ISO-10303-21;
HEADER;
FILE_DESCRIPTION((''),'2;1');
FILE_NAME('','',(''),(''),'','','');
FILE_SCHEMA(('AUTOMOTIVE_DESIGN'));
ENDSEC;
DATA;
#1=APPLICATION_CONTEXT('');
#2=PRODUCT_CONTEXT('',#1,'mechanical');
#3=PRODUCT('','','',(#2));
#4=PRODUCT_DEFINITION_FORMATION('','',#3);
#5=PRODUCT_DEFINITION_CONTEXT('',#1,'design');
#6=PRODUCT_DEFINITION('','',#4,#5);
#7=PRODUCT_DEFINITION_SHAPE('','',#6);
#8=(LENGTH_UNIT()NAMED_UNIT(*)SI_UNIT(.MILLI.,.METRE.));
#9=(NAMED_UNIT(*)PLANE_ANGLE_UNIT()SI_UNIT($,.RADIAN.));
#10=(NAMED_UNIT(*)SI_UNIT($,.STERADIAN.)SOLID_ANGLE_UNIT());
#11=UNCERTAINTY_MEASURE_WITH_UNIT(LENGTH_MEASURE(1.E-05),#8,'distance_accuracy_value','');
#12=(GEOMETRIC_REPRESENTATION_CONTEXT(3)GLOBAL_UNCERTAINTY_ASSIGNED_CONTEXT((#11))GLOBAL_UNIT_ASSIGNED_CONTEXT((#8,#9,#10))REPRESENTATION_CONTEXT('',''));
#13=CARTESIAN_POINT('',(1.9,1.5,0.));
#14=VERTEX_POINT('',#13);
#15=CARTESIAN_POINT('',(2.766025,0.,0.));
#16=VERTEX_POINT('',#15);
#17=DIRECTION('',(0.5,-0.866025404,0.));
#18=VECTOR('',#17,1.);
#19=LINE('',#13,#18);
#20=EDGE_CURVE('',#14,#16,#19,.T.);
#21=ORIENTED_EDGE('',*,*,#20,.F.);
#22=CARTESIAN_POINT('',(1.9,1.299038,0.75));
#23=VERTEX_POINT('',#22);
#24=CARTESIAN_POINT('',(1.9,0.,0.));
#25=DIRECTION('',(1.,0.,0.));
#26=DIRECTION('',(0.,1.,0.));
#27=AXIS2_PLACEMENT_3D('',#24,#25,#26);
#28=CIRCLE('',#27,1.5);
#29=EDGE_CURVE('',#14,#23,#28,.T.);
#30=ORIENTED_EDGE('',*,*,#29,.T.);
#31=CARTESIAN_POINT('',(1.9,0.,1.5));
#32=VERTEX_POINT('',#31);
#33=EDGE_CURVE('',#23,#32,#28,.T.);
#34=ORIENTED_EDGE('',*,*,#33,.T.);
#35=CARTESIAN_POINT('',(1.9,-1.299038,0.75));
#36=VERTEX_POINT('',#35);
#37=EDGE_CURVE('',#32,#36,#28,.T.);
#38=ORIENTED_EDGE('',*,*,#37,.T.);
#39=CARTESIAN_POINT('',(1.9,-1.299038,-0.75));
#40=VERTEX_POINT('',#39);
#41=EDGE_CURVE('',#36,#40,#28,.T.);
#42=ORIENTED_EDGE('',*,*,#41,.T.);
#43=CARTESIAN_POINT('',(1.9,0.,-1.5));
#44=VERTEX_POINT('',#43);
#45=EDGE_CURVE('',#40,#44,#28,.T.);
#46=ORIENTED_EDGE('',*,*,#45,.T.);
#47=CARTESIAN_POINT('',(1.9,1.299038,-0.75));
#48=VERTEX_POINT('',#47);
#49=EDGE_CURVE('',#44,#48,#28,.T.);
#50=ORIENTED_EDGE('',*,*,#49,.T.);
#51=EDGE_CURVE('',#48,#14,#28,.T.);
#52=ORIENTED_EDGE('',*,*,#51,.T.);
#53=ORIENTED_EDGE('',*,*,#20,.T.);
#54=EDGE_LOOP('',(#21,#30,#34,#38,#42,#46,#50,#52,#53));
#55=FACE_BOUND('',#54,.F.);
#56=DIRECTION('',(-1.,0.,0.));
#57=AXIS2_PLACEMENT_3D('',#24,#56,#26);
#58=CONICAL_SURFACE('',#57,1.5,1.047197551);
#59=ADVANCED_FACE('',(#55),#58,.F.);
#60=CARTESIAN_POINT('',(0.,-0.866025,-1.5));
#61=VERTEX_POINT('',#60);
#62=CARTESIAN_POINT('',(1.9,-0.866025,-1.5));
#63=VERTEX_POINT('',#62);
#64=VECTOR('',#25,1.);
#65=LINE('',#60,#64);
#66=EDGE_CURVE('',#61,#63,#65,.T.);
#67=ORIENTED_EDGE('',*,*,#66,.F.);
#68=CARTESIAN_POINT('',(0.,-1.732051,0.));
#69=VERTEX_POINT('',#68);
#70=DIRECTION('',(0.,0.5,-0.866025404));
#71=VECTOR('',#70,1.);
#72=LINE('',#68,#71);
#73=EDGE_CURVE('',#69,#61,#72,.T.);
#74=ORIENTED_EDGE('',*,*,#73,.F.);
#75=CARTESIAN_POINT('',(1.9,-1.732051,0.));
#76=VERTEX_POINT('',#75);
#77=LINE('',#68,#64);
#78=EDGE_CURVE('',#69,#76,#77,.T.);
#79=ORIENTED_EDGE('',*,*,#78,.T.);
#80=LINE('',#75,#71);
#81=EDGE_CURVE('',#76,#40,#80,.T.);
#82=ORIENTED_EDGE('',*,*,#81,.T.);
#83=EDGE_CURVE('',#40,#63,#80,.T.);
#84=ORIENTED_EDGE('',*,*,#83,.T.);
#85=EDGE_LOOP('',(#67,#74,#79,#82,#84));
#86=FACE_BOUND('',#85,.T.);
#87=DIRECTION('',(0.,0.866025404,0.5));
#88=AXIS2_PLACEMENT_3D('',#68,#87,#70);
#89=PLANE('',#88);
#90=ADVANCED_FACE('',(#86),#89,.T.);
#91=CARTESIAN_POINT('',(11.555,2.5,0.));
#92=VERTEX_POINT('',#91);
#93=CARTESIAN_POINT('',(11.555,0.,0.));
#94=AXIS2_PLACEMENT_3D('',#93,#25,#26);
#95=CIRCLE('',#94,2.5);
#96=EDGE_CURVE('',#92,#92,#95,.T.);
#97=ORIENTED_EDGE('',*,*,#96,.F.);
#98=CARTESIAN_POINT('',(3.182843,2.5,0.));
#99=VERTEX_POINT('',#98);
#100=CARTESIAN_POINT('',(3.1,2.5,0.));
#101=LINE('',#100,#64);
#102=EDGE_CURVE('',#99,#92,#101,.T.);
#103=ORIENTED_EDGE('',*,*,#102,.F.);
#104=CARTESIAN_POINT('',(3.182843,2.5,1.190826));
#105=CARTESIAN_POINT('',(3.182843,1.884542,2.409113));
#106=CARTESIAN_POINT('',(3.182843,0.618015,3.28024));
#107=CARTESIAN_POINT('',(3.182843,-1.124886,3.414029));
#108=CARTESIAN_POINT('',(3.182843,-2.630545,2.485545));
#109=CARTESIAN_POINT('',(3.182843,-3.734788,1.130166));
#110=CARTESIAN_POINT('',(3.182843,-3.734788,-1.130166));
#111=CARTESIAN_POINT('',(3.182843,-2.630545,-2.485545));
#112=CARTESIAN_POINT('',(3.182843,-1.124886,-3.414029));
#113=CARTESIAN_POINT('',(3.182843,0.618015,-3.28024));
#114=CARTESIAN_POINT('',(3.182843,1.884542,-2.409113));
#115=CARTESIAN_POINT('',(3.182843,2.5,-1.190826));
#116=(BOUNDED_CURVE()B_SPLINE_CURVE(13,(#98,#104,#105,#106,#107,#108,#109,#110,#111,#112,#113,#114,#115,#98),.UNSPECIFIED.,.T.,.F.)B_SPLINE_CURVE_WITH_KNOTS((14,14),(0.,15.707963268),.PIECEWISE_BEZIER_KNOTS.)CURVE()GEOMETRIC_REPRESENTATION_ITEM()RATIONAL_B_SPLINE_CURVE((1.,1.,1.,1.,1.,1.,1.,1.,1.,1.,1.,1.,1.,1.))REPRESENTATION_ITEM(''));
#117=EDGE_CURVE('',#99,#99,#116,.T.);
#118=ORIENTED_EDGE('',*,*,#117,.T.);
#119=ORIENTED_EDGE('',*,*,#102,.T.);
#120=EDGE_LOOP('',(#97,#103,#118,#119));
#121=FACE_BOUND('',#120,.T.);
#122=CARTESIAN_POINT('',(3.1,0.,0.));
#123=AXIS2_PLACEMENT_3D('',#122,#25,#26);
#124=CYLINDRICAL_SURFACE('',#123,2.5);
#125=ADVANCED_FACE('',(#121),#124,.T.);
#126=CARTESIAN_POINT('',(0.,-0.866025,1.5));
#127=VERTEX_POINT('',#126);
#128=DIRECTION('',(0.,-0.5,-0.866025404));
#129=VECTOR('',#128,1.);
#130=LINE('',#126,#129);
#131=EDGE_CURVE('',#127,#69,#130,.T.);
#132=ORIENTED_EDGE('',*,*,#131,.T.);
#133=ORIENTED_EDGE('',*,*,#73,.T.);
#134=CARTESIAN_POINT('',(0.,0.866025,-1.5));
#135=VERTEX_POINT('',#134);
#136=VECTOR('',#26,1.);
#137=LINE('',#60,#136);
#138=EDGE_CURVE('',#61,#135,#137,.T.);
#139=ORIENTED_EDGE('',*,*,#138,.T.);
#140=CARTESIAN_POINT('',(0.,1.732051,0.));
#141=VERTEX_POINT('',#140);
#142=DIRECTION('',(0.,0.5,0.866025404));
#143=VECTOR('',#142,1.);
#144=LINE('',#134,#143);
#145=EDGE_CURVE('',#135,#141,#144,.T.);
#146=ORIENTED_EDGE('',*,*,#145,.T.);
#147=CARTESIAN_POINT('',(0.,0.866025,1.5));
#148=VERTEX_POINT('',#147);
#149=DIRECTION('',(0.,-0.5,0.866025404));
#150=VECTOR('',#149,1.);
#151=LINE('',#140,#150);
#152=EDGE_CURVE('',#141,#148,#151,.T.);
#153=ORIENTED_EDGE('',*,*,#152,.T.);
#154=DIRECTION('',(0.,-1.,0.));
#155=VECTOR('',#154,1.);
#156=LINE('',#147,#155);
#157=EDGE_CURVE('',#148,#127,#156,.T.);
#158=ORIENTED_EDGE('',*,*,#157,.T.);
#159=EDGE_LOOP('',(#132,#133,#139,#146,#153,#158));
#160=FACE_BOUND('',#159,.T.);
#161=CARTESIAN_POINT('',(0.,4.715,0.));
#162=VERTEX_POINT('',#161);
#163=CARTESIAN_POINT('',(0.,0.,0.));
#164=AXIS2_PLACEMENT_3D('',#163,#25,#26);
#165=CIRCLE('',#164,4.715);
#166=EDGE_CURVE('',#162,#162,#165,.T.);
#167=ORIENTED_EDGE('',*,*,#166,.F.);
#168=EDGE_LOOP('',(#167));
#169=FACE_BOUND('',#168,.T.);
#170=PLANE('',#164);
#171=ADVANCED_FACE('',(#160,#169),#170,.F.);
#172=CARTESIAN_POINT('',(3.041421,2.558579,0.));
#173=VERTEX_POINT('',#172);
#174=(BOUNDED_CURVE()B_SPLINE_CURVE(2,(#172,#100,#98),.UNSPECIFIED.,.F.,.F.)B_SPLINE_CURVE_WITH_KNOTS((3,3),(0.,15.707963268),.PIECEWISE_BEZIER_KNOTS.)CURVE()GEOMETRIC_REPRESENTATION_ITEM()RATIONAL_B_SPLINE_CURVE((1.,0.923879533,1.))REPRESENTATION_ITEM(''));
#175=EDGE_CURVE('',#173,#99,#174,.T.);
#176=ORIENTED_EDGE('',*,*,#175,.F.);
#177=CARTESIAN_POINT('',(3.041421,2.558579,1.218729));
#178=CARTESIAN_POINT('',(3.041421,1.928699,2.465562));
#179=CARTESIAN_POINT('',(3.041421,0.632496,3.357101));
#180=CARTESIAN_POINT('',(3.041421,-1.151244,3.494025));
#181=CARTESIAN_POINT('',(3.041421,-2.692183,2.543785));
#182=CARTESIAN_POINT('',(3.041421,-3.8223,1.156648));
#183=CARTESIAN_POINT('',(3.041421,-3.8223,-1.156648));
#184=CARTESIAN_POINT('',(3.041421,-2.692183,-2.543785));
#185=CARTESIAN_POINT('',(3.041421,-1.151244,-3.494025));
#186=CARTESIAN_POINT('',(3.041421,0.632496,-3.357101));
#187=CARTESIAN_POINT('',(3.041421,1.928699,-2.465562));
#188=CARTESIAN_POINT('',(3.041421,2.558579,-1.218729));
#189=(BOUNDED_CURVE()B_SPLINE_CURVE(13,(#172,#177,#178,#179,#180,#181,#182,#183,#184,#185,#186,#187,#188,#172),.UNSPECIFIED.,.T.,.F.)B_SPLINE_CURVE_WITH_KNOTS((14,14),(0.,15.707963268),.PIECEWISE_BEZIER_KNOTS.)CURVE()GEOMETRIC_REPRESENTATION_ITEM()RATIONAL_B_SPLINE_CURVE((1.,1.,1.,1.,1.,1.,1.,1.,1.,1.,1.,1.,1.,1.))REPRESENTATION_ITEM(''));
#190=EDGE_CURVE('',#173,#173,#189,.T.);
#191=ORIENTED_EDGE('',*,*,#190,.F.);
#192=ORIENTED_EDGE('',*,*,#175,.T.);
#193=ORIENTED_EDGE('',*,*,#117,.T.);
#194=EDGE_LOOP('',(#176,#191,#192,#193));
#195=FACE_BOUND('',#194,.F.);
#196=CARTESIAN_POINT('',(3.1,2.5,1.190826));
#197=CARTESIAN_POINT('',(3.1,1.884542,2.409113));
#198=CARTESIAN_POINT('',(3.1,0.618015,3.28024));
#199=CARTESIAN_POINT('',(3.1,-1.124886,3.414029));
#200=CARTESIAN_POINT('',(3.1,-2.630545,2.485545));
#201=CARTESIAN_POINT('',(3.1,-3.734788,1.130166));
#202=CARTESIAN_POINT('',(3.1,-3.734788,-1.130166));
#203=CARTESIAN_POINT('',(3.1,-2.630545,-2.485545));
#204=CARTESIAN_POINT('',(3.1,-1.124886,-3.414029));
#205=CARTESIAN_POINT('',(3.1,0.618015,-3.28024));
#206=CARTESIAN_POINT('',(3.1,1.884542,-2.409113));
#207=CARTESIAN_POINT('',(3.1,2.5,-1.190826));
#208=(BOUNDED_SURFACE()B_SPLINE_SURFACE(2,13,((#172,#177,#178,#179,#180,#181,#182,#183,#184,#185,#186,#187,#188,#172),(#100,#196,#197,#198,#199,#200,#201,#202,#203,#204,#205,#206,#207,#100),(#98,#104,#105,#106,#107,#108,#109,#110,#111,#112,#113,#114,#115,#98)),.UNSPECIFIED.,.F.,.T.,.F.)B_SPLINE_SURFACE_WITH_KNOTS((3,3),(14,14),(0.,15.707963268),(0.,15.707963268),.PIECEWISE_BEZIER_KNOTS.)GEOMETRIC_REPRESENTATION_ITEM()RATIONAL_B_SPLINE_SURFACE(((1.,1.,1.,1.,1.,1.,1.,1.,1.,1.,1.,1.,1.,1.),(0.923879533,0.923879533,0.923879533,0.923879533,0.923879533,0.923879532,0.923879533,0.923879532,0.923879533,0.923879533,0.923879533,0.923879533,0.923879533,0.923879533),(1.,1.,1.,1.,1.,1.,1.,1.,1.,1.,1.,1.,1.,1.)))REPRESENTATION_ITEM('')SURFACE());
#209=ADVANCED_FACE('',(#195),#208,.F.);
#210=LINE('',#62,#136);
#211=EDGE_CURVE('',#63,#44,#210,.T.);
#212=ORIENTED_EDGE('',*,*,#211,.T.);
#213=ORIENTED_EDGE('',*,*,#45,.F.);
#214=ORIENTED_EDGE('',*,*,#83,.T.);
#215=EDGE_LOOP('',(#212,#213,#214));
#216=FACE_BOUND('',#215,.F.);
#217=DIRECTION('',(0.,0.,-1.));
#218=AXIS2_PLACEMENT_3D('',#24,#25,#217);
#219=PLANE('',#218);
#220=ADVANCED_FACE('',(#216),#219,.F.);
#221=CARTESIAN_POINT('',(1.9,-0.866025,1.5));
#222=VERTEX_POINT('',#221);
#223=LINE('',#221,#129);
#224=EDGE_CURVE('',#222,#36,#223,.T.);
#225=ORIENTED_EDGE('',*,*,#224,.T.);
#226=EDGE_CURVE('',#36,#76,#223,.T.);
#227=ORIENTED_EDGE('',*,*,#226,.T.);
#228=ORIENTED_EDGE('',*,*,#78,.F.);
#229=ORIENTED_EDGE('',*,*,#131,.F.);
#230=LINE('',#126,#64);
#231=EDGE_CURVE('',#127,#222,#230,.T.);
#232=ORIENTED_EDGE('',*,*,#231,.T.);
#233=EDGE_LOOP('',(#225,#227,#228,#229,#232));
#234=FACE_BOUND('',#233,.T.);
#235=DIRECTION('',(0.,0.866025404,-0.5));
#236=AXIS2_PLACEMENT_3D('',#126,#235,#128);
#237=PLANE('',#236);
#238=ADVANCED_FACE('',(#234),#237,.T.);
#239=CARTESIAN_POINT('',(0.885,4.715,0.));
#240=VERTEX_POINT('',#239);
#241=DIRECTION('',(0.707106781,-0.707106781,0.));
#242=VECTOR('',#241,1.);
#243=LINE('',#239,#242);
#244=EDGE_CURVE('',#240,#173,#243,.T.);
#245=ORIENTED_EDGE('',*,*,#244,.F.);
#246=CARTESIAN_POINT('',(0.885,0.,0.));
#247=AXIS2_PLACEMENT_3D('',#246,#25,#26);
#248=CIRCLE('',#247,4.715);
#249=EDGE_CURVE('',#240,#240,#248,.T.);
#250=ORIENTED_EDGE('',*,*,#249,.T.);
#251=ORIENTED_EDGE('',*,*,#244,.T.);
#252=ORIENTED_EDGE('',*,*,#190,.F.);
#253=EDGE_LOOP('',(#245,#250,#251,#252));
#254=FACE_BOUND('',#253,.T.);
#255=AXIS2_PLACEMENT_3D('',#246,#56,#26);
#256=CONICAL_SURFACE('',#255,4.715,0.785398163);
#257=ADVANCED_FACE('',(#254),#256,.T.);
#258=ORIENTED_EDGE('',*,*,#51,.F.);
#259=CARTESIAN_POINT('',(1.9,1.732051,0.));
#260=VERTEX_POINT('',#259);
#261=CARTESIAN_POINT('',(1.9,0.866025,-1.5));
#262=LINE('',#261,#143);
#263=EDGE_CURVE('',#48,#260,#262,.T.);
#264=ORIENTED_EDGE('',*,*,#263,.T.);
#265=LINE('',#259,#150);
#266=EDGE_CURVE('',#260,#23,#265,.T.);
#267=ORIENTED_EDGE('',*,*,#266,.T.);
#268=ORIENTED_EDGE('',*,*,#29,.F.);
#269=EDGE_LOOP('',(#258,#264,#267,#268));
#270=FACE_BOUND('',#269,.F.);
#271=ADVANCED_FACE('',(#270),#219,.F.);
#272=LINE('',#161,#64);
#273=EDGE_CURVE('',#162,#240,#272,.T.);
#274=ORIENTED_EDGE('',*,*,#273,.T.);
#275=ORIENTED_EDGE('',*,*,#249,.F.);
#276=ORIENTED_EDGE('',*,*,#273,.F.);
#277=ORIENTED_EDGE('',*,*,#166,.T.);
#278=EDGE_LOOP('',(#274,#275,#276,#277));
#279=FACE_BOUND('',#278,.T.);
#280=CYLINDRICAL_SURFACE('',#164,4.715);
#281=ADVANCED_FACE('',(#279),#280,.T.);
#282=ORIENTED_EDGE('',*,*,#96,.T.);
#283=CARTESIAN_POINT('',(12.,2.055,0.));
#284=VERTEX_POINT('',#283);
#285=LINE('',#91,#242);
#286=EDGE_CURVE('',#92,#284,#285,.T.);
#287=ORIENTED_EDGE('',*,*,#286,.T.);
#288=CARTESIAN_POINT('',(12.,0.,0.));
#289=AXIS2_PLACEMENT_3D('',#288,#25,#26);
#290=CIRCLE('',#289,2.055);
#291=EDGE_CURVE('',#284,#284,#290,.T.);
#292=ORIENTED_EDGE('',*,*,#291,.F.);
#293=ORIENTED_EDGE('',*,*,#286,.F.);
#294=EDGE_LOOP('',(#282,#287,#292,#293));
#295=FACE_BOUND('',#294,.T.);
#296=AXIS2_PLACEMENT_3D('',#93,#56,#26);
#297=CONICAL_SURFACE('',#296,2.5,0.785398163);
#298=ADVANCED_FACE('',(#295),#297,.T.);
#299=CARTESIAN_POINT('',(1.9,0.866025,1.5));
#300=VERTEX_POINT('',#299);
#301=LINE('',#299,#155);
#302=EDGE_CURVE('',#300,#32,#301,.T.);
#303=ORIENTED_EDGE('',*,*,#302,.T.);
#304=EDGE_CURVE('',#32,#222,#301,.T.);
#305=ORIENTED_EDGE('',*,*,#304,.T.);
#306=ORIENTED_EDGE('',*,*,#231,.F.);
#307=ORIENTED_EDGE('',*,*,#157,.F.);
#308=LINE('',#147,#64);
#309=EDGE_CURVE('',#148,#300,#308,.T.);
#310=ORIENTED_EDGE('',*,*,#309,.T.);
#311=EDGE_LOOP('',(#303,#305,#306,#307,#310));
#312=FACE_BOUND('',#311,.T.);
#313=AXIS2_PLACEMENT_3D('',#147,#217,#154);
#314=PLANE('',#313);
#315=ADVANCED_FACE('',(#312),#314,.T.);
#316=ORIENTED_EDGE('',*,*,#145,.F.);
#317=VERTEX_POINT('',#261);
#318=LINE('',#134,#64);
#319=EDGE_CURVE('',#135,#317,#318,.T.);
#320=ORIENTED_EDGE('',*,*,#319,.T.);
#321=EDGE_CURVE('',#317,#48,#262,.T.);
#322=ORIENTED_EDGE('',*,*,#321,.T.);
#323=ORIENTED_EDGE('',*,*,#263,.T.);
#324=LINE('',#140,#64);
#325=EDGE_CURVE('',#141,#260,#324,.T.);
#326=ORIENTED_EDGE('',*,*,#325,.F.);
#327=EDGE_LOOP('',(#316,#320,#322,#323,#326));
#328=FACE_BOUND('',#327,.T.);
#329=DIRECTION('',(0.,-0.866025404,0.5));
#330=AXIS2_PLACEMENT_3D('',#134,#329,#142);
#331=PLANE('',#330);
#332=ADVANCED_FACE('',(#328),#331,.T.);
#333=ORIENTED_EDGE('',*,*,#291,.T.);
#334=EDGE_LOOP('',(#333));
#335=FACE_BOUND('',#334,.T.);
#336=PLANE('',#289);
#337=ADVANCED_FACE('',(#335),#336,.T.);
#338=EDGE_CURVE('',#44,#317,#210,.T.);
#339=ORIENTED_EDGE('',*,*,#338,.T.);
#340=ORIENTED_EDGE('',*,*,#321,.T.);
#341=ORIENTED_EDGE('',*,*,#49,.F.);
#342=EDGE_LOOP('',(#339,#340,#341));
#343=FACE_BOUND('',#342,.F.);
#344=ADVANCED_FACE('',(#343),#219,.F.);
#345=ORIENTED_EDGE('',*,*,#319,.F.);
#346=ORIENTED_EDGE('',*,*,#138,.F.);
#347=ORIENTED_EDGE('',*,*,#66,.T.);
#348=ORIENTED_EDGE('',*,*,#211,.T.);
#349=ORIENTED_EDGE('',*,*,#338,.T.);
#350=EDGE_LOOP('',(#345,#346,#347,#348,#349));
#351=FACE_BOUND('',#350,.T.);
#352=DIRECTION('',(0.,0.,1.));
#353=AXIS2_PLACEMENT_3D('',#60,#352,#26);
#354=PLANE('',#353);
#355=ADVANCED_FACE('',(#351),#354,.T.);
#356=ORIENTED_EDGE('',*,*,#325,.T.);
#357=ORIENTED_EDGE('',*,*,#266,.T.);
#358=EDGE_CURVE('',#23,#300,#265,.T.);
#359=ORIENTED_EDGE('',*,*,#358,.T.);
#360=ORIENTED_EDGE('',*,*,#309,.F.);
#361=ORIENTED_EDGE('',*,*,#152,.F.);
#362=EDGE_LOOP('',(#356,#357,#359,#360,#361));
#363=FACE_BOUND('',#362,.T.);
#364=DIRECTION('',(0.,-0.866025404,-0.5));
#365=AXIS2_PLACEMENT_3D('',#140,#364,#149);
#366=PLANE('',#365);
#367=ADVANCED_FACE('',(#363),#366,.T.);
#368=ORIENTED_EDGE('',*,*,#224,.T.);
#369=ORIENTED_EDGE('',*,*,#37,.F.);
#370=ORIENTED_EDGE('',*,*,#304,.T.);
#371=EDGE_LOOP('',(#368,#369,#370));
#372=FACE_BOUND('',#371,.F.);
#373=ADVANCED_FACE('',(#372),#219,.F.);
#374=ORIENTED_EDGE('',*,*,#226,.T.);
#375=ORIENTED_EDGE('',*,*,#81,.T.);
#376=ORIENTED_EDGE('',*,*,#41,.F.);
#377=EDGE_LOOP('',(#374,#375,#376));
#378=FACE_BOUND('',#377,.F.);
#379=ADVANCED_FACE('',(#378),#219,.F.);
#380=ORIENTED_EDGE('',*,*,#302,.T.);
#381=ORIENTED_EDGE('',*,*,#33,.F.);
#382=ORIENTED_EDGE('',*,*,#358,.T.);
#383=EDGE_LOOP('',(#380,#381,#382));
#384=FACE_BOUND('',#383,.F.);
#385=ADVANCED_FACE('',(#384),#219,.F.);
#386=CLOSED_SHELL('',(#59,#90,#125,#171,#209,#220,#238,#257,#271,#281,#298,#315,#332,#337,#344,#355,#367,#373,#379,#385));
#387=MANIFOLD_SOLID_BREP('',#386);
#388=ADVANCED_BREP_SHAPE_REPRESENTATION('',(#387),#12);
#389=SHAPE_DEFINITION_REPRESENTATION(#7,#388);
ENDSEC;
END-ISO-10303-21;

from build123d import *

# Parameters (mm, degrees)
FILLET1_R   = 0.2
HEX_2_DEPTH = 1.9


with BuildPart() as part:
    # BodySke → BaseBody (revolve)
    with BuildSketch(Plane.XY):
        Polygon((0, 0), (0, 4.715), (0.885, 4.715), (3.1, 2.5), (11.555, 2.5), (12, 2.055), (12, 0), align=None)
    revolve(axis=Axis((0, 0, 0), (1, 0, 0)))

    # Fillet1
    fillet1_edges = [part.edges().sort_by_distance(p)[0] for p in [
        (3.1, -2.5, 0),
    ]]
    fillet(fillet1_edges, radius=FILLET1_R)

    # Sketch2 → PreBroach (revolve, cut)
    with BuildSketch(Plane.XY):
        Polygon((0, 1.5), (1.9, 1.5), (2.766025404, 0), (0, 0), align=None)
    revolve(axis=Axis((0, 0, 0), (1, 0, 0)), mode=Mode.SUBTRACT)

    # Sketch3 → Hex 2 (cut)
    with BuildSketch(Plane.ZY):
        Polygon((-1.5, -0.866025404), (-1.5, 0.866025404), (0, 1.732050808), (1.5, 0.866025404), (1.5, -0.866025404), (0, -1.732050808), align=None)
    extrude(amount=-HEX_2_DEPTH, mode=Mode.SUBTRACT)


solid = part.part
